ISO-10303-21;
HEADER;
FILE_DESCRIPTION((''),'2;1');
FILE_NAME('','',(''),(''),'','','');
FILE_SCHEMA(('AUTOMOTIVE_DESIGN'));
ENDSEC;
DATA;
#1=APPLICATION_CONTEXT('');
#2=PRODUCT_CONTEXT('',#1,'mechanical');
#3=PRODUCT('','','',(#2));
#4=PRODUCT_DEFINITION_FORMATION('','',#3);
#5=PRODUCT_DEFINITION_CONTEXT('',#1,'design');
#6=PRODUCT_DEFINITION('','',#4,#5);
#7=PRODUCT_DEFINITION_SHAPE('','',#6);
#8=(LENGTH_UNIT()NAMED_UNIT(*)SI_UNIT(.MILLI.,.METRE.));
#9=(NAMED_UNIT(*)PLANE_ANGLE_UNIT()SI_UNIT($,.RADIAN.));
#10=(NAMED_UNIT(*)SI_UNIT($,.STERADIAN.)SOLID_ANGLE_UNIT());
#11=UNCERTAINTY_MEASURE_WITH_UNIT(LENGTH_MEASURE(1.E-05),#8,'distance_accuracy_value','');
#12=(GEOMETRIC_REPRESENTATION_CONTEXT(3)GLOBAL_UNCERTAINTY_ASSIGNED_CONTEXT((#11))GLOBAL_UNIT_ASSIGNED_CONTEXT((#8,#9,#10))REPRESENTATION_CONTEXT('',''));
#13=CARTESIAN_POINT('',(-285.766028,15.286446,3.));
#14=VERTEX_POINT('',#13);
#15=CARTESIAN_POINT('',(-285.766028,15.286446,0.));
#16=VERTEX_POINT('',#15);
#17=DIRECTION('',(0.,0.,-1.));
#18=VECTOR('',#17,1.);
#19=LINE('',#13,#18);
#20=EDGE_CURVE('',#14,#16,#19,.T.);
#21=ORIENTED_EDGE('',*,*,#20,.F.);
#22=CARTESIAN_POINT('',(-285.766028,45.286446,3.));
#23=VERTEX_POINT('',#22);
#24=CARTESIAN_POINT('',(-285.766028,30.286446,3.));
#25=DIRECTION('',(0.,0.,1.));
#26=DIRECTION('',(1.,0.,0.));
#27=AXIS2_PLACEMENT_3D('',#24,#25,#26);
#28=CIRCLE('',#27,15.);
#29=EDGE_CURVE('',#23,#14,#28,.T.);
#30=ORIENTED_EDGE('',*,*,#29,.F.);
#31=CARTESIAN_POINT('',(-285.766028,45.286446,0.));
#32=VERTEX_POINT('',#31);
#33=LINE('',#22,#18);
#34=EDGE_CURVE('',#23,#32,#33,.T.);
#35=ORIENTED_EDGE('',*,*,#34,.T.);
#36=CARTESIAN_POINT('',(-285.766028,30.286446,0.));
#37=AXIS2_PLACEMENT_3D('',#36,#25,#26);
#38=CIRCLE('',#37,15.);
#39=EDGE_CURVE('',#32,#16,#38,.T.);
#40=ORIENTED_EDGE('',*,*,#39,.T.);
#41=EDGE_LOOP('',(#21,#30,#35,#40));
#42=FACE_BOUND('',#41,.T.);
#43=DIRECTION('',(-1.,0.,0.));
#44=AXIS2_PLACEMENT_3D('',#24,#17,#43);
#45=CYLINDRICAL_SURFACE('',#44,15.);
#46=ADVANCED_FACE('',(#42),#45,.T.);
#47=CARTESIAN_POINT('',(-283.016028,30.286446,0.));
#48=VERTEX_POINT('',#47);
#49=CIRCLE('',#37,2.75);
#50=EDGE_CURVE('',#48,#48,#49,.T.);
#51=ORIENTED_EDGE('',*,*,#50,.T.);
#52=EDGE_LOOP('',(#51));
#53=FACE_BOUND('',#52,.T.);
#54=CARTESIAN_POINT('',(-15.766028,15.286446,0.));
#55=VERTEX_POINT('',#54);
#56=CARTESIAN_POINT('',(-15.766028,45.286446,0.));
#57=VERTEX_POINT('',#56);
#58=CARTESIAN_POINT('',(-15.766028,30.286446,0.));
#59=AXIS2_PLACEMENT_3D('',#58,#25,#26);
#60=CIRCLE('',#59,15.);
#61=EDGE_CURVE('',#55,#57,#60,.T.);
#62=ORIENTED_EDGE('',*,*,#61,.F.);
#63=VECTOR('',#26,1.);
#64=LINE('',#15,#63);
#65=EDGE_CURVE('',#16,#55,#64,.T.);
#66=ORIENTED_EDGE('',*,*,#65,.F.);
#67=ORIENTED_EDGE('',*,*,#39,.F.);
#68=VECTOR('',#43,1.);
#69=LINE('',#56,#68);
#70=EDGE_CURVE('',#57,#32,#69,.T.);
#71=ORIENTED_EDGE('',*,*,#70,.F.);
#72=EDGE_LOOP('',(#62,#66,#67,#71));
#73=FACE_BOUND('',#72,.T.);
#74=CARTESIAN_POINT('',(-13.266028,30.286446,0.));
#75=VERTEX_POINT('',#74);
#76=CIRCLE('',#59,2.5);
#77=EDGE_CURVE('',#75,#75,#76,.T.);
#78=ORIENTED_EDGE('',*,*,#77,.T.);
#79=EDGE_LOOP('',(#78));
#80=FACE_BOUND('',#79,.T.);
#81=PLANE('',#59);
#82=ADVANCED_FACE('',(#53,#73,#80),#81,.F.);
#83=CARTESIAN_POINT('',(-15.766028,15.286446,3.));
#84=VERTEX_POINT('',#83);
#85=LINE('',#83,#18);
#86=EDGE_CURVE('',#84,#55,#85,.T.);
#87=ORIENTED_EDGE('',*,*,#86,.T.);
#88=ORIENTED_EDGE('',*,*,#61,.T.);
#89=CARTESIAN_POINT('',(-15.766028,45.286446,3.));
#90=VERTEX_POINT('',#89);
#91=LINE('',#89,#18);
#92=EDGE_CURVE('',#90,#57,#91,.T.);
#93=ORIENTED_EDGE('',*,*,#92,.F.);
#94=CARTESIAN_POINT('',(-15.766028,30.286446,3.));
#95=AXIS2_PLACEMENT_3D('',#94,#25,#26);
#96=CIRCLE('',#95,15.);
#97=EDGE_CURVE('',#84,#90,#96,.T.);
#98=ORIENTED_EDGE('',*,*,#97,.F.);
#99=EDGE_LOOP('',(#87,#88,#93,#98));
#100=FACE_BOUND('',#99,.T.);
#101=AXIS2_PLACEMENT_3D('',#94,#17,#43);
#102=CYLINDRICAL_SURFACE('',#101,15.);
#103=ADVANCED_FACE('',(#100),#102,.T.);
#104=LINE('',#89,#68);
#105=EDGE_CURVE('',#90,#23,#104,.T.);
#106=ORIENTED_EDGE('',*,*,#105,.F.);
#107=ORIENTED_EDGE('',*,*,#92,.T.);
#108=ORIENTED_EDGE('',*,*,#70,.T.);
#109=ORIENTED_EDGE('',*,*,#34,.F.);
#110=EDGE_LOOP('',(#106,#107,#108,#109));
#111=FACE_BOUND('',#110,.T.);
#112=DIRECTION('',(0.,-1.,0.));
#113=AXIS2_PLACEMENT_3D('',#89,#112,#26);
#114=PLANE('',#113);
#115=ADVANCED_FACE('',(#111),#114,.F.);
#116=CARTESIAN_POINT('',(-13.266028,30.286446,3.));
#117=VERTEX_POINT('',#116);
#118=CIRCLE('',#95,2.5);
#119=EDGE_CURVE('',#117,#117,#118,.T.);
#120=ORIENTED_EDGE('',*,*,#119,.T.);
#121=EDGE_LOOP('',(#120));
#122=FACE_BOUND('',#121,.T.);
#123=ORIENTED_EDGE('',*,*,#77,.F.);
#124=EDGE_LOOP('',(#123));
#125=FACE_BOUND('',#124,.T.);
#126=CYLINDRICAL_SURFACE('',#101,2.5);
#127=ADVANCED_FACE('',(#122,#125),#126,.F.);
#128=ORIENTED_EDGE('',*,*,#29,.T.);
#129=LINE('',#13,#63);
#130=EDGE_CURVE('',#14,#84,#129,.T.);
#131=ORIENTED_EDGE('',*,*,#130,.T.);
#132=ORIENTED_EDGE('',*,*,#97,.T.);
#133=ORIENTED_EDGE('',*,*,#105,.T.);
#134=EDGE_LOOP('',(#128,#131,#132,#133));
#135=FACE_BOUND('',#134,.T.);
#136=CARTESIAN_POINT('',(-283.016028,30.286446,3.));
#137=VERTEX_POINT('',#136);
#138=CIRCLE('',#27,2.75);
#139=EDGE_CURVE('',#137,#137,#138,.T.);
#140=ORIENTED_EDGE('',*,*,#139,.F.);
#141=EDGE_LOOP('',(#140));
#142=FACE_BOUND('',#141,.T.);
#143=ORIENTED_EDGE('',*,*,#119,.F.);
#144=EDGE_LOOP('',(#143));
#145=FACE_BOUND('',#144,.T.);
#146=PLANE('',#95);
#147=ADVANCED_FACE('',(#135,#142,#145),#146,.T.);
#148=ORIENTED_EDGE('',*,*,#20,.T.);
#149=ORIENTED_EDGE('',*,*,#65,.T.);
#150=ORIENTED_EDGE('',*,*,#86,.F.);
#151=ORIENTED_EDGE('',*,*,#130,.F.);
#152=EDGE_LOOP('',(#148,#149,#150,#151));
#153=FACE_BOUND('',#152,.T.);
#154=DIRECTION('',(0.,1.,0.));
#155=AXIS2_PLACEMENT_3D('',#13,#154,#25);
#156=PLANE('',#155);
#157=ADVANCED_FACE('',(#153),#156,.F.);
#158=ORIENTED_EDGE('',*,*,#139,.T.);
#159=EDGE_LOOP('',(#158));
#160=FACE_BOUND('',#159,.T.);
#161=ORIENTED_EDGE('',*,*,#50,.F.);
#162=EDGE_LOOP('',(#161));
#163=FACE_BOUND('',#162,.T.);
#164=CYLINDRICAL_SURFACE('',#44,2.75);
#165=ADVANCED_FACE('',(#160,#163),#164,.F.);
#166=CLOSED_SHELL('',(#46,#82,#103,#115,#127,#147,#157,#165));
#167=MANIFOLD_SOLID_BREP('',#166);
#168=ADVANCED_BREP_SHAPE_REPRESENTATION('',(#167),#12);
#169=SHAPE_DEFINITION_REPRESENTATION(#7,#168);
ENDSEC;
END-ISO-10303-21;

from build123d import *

# Parameters (mm, degrees)
SKETCH_1_R      = 2.75
SKETCH_1_R_2    = 2.5
EXTRUDE_1_DEPTH = 3


with BuildPart() as part:
    # 草图1 → 凸台-拉伸1 (new body)
    with BuildSketch(Plane.XY):
        with BuildLine():
            Line((-15.76602808, 45.286446481), (-285.76602808, 45.286446481))
            ThreePointArc((-285.76602808, 45.286446481), (-300.76602808, 30.286446481), (-285.76602808, 15.286446481))
            Line((-285.76602808, 15.286446481), (-15.76602808, 15.286446481))
            ThreePointArc((-15.76602808, 15.286446481), (-0.76602808, 30.286446481), (-15.76602808, 45.286446481))
        make_face()
        with Locations((-285.76602808, 30.286446481)):
            Circle(SKETCH_1_R, mode=Mode.SUBTRACT)
        with Locations((-15.76602808, 30.286446481)):
            Circle(SKETCH_1_R_2, mode=Mode.SUBTRACT)
    extrude(amount=EXTRUDE_1_DEPTH)


solid = part.part
